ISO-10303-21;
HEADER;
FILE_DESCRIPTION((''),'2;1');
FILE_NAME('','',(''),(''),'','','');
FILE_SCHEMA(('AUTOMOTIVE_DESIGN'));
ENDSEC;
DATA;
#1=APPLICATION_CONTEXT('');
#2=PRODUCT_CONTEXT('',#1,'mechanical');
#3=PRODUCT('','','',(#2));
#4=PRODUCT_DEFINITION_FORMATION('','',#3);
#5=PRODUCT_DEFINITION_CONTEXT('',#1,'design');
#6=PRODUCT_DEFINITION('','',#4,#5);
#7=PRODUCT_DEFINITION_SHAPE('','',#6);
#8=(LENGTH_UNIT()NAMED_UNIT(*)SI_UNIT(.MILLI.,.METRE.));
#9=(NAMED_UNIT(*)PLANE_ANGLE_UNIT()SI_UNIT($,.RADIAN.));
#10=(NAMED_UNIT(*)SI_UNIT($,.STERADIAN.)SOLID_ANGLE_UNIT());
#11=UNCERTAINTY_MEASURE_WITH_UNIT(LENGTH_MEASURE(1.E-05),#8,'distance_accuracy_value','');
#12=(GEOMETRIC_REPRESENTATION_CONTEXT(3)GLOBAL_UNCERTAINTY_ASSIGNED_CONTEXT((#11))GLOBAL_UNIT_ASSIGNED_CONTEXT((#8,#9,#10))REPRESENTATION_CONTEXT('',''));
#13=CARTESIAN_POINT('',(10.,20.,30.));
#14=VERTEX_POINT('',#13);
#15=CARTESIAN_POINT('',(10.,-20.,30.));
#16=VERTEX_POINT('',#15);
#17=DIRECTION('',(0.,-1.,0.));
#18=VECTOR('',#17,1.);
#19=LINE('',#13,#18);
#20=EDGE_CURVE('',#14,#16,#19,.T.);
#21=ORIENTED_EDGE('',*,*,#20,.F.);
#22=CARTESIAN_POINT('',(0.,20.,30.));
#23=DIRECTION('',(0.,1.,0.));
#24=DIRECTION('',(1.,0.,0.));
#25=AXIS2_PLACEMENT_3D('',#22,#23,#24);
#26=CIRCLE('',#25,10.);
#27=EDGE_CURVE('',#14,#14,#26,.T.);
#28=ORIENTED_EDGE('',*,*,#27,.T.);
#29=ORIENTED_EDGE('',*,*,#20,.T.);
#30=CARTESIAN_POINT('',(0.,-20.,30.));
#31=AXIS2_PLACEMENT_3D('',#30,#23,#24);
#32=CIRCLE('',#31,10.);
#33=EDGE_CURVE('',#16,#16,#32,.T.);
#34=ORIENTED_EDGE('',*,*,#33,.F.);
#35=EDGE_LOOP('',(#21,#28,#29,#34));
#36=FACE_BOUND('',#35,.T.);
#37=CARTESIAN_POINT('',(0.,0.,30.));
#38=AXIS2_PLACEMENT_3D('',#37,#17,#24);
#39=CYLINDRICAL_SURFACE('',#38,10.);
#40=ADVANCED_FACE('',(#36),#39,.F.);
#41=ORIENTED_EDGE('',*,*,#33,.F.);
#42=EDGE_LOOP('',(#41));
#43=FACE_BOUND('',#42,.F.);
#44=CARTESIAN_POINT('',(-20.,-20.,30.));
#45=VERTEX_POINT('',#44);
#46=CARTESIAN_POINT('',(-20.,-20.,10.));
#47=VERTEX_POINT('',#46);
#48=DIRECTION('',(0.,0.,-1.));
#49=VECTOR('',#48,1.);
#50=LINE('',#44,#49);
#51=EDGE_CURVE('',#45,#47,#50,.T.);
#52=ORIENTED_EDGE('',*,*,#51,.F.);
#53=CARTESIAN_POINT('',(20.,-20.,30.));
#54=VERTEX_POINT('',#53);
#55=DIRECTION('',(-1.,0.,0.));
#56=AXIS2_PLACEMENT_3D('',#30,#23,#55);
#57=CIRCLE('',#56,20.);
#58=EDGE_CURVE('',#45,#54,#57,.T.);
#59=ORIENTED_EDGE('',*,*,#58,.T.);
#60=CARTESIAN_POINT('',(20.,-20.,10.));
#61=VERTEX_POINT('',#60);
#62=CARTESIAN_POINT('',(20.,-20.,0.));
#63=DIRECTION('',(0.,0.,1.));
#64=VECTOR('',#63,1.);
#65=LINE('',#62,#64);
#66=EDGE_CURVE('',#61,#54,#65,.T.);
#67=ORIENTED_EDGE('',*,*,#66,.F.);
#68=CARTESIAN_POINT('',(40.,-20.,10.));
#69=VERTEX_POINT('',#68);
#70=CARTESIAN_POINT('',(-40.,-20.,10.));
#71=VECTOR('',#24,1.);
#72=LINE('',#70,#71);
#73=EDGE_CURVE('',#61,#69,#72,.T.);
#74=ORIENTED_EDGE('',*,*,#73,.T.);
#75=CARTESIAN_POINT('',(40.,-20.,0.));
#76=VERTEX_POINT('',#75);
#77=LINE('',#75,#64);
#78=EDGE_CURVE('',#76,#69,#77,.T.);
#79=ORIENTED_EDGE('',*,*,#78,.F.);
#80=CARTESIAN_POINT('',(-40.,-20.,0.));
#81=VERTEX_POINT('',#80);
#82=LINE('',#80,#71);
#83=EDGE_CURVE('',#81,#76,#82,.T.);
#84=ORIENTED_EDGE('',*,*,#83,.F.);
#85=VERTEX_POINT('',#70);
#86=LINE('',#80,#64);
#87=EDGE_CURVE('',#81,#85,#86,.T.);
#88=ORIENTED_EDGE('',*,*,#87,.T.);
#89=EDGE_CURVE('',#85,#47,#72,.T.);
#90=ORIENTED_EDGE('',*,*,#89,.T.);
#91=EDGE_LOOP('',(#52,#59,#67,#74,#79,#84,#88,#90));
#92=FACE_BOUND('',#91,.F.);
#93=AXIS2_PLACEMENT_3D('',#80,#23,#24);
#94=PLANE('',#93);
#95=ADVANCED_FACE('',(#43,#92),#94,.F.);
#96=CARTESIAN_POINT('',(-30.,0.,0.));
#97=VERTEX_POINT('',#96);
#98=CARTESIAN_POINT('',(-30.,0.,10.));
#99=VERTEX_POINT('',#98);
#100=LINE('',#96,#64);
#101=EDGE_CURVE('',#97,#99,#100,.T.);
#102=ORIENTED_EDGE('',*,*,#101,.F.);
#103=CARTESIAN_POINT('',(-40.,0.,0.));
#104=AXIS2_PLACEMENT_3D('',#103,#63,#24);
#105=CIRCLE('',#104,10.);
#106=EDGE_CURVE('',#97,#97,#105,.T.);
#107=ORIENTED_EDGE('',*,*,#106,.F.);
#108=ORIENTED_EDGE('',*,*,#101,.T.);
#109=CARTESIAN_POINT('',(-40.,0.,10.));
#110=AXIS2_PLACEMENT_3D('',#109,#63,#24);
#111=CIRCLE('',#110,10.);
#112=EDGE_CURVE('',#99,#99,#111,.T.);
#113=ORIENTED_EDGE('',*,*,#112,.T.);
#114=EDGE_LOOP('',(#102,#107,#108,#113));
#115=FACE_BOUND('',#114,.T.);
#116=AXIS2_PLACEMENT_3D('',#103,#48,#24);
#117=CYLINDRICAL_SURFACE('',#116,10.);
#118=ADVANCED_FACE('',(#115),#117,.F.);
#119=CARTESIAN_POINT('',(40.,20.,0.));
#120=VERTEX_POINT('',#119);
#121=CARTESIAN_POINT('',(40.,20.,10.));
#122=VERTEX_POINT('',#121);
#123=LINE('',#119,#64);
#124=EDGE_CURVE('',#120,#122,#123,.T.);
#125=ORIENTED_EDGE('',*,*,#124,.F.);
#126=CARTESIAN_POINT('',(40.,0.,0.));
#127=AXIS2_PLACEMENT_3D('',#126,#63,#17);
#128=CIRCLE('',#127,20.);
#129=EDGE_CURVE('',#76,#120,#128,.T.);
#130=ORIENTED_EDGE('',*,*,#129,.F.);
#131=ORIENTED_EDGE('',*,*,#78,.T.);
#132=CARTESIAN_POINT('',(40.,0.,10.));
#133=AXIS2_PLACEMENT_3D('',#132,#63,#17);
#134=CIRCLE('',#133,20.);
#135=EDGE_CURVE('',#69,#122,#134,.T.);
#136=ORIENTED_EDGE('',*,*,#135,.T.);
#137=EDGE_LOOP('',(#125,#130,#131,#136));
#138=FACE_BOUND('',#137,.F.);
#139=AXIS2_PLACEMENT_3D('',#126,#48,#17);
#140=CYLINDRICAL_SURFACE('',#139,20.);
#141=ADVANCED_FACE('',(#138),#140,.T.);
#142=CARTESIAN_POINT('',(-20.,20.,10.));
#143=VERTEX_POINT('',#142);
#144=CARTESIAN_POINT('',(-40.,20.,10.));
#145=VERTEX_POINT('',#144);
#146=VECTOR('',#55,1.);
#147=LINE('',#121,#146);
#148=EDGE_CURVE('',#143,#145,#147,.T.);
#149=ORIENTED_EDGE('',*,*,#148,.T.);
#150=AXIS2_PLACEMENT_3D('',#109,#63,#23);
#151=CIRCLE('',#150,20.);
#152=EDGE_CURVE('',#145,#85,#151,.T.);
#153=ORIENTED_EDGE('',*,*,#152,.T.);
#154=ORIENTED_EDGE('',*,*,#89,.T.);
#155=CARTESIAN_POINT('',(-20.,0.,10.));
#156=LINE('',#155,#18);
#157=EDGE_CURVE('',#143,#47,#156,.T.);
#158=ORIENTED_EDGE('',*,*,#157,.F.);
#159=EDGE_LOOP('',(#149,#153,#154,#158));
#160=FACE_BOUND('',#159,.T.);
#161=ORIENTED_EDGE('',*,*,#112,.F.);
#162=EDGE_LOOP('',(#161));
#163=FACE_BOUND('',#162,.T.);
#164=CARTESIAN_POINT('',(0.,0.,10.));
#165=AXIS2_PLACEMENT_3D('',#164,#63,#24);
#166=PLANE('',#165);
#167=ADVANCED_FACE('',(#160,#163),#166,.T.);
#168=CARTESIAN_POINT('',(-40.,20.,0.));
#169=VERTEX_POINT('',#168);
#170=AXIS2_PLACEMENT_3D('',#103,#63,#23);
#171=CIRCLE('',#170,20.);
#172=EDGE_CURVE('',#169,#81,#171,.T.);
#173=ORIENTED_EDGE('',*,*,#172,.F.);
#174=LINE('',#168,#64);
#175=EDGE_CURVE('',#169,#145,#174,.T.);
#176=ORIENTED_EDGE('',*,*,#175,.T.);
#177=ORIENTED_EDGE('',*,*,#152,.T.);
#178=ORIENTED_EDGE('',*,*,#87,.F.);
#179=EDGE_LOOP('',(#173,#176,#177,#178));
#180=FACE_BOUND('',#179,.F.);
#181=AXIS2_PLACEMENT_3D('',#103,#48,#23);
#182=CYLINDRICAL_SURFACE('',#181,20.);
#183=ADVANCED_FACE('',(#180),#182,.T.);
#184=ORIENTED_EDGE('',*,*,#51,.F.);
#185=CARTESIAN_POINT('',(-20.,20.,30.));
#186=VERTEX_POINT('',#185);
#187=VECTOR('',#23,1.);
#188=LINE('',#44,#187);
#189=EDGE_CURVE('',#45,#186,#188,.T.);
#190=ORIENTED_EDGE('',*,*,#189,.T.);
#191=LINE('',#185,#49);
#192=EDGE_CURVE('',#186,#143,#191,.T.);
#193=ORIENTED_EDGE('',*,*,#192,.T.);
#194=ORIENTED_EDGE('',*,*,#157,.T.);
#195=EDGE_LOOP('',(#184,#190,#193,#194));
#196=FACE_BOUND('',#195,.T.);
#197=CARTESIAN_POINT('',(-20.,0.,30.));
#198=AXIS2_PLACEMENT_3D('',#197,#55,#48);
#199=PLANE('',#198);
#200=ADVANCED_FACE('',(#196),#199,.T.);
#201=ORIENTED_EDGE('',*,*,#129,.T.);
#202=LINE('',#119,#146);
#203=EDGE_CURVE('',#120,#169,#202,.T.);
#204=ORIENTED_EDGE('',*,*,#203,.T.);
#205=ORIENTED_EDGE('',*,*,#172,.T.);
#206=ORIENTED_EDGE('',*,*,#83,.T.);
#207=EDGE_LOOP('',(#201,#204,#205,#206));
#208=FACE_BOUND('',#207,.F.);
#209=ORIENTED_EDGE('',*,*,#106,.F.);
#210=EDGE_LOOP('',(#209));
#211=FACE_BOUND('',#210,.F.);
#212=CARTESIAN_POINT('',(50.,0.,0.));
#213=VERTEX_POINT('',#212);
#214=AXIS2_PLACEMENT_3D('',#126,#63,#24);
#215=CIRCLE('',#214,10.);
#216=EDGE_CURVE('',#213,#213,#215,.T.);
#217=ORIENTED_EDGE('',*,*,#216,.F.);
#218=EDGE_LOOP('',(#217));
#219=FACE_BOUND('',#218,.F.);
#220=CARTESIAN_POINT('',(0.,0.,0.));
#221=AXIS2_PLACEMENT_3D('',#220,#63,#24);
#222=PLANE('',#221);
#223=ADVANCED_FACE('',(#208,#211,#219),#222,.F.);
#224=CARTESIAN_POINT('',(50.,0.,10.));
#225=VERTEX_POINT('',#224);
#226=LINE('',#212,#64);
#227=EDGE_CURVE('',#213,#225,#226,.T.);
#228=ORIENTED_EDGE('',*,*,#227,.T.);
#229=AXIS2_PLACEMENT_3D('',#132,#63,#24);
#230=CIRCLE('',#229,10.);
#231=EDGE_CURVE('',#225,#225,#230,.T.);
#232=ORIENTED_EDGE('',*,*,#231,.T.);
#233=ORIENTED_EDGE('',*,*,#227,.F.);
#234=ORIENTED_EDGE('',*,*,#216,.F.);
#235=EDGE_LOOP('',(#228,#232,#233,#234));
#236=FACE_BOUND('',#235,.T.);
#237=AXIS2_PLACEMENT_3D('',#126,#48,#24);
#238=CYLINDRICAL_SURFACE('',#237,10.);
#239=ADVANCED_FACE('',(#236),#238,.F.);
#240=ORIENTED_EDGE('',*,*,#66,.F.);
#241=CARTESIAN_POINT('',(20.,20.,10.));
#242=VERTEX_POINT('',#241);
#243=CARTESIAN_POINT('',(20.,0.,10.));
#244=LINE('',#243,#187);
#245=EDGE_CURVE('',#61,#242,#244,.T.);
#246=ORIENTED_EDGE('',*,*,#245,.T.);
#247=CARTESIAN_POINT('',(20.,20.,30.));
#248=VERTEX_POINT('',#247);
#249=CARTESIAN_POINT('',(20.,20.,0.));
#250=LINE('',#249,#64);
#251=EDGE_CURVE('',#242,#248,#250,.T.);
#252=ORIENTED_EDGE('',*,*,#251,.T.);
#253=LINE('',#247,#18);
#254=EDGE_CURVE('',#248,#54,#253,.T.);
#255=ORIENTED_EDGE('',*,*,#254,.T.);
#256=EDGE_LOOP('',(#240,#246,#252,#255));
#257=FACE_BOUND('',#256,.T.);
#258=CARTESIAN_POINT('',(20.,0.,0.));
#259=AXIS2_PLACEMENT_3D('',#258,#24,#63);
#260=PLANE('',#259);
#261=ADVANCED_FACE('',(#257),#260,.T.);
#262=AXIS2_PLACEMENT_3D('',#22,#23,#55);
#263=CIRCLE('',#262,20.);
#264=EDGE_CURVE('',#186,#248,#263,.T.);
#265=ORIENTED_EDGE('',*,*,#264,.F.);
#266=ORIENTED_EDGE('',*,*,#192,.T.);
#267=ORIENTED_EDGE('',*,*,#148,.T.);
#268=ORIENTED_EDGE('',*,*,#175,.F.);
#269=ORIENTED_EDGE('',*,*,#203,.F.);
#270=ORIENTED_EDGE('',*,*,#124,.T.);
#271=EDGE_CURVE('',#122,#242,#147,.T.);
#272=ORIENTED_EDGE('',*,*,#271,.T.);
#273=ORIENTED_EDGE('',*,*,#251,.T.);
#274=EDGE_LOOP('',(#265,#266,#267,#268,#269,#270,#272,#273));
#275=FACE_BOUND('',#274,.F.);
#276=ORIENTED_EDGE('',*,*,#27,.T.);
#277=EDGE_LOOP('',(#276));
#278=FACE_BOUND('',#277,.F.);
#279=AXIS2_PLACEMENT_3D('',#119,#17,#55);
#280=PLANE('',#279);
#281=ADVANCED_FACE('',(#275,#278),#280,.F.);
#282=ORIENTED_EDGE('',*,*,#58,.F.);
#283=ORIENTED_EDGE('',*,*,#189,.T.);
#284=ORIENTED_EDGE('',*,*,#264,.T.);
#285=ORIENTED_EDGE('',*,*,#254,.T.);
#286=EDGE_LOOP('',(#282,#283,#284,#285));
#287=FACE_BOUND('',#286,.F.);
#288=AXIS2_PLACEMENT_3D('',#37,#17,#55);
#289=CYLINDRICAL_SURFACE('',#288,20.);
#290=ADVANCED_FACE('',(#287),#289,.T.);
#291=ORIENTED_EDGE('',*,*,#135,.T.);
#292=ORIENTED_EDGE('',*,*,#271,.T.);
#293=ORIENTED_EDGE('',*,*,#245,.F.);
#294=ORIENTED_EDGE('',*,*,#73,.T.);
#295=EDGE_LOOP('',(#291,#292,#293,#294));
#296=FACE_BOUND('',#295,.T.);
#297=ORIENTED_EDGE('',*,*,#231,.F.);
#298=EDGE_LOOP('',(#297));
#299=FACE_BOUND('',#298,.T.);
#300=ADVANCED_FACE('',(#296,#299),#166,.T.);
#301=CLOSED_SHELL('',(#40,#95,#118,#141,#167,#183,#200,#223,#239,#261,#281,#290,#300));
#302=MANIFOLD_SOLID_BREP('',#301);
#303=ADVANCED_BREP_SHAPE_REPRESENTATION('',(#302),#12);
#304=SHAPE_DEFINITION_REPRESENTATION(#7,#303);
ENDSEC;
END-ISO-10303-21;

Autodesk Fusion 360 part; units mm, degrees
sketch "Sketch1" plane through (0, 0, 0) normal (0, 0, 1) x (1, 0, 0)
  line L0 (40, 20) -> (-40, 20)
  line L1 (-40, -20) -> (40, -20)
  circle A0 centre (40, 0) radius 10
  circle A1 centre (-40, 0) radius 10
  arc A2 (-40, 20) -> (-40, -20) centre (-40, 0) ccw
  arc A3 (40, -20) -> (40, 20) centre (40, 0) ccw
  dimension "d1" = 80
  dimension "d2" = 40
  dimension "d5" = 40
  dimension "d7" = 40
extrude "Extrude1" add sketch "Sketch1" along normal blind 10
sketch "Sketch2" plane through (0, 0, 0) normal (0, 1, 0) x (1, 0, 0)
  line L0 (-20, 0) -> (20, 0)
  line L1 (20, 0) -> (20, -30)
  line L2 (-20, -30) -> (-20, 0)
  line L3 (-40, 0) -> (-40, -10)
  circle A0 centre (0, -30) radius 10
  arc A1 (-20, -30) -> (20, -30) centre (0, -30) ccw
  dimension "d11" = 40
  dimension "d12" = 30
  dimension "d13" = 20
  dimension "d16" = 20
extrude "Extrude2" add sketch "Sketch2" along normal mid plane 40
